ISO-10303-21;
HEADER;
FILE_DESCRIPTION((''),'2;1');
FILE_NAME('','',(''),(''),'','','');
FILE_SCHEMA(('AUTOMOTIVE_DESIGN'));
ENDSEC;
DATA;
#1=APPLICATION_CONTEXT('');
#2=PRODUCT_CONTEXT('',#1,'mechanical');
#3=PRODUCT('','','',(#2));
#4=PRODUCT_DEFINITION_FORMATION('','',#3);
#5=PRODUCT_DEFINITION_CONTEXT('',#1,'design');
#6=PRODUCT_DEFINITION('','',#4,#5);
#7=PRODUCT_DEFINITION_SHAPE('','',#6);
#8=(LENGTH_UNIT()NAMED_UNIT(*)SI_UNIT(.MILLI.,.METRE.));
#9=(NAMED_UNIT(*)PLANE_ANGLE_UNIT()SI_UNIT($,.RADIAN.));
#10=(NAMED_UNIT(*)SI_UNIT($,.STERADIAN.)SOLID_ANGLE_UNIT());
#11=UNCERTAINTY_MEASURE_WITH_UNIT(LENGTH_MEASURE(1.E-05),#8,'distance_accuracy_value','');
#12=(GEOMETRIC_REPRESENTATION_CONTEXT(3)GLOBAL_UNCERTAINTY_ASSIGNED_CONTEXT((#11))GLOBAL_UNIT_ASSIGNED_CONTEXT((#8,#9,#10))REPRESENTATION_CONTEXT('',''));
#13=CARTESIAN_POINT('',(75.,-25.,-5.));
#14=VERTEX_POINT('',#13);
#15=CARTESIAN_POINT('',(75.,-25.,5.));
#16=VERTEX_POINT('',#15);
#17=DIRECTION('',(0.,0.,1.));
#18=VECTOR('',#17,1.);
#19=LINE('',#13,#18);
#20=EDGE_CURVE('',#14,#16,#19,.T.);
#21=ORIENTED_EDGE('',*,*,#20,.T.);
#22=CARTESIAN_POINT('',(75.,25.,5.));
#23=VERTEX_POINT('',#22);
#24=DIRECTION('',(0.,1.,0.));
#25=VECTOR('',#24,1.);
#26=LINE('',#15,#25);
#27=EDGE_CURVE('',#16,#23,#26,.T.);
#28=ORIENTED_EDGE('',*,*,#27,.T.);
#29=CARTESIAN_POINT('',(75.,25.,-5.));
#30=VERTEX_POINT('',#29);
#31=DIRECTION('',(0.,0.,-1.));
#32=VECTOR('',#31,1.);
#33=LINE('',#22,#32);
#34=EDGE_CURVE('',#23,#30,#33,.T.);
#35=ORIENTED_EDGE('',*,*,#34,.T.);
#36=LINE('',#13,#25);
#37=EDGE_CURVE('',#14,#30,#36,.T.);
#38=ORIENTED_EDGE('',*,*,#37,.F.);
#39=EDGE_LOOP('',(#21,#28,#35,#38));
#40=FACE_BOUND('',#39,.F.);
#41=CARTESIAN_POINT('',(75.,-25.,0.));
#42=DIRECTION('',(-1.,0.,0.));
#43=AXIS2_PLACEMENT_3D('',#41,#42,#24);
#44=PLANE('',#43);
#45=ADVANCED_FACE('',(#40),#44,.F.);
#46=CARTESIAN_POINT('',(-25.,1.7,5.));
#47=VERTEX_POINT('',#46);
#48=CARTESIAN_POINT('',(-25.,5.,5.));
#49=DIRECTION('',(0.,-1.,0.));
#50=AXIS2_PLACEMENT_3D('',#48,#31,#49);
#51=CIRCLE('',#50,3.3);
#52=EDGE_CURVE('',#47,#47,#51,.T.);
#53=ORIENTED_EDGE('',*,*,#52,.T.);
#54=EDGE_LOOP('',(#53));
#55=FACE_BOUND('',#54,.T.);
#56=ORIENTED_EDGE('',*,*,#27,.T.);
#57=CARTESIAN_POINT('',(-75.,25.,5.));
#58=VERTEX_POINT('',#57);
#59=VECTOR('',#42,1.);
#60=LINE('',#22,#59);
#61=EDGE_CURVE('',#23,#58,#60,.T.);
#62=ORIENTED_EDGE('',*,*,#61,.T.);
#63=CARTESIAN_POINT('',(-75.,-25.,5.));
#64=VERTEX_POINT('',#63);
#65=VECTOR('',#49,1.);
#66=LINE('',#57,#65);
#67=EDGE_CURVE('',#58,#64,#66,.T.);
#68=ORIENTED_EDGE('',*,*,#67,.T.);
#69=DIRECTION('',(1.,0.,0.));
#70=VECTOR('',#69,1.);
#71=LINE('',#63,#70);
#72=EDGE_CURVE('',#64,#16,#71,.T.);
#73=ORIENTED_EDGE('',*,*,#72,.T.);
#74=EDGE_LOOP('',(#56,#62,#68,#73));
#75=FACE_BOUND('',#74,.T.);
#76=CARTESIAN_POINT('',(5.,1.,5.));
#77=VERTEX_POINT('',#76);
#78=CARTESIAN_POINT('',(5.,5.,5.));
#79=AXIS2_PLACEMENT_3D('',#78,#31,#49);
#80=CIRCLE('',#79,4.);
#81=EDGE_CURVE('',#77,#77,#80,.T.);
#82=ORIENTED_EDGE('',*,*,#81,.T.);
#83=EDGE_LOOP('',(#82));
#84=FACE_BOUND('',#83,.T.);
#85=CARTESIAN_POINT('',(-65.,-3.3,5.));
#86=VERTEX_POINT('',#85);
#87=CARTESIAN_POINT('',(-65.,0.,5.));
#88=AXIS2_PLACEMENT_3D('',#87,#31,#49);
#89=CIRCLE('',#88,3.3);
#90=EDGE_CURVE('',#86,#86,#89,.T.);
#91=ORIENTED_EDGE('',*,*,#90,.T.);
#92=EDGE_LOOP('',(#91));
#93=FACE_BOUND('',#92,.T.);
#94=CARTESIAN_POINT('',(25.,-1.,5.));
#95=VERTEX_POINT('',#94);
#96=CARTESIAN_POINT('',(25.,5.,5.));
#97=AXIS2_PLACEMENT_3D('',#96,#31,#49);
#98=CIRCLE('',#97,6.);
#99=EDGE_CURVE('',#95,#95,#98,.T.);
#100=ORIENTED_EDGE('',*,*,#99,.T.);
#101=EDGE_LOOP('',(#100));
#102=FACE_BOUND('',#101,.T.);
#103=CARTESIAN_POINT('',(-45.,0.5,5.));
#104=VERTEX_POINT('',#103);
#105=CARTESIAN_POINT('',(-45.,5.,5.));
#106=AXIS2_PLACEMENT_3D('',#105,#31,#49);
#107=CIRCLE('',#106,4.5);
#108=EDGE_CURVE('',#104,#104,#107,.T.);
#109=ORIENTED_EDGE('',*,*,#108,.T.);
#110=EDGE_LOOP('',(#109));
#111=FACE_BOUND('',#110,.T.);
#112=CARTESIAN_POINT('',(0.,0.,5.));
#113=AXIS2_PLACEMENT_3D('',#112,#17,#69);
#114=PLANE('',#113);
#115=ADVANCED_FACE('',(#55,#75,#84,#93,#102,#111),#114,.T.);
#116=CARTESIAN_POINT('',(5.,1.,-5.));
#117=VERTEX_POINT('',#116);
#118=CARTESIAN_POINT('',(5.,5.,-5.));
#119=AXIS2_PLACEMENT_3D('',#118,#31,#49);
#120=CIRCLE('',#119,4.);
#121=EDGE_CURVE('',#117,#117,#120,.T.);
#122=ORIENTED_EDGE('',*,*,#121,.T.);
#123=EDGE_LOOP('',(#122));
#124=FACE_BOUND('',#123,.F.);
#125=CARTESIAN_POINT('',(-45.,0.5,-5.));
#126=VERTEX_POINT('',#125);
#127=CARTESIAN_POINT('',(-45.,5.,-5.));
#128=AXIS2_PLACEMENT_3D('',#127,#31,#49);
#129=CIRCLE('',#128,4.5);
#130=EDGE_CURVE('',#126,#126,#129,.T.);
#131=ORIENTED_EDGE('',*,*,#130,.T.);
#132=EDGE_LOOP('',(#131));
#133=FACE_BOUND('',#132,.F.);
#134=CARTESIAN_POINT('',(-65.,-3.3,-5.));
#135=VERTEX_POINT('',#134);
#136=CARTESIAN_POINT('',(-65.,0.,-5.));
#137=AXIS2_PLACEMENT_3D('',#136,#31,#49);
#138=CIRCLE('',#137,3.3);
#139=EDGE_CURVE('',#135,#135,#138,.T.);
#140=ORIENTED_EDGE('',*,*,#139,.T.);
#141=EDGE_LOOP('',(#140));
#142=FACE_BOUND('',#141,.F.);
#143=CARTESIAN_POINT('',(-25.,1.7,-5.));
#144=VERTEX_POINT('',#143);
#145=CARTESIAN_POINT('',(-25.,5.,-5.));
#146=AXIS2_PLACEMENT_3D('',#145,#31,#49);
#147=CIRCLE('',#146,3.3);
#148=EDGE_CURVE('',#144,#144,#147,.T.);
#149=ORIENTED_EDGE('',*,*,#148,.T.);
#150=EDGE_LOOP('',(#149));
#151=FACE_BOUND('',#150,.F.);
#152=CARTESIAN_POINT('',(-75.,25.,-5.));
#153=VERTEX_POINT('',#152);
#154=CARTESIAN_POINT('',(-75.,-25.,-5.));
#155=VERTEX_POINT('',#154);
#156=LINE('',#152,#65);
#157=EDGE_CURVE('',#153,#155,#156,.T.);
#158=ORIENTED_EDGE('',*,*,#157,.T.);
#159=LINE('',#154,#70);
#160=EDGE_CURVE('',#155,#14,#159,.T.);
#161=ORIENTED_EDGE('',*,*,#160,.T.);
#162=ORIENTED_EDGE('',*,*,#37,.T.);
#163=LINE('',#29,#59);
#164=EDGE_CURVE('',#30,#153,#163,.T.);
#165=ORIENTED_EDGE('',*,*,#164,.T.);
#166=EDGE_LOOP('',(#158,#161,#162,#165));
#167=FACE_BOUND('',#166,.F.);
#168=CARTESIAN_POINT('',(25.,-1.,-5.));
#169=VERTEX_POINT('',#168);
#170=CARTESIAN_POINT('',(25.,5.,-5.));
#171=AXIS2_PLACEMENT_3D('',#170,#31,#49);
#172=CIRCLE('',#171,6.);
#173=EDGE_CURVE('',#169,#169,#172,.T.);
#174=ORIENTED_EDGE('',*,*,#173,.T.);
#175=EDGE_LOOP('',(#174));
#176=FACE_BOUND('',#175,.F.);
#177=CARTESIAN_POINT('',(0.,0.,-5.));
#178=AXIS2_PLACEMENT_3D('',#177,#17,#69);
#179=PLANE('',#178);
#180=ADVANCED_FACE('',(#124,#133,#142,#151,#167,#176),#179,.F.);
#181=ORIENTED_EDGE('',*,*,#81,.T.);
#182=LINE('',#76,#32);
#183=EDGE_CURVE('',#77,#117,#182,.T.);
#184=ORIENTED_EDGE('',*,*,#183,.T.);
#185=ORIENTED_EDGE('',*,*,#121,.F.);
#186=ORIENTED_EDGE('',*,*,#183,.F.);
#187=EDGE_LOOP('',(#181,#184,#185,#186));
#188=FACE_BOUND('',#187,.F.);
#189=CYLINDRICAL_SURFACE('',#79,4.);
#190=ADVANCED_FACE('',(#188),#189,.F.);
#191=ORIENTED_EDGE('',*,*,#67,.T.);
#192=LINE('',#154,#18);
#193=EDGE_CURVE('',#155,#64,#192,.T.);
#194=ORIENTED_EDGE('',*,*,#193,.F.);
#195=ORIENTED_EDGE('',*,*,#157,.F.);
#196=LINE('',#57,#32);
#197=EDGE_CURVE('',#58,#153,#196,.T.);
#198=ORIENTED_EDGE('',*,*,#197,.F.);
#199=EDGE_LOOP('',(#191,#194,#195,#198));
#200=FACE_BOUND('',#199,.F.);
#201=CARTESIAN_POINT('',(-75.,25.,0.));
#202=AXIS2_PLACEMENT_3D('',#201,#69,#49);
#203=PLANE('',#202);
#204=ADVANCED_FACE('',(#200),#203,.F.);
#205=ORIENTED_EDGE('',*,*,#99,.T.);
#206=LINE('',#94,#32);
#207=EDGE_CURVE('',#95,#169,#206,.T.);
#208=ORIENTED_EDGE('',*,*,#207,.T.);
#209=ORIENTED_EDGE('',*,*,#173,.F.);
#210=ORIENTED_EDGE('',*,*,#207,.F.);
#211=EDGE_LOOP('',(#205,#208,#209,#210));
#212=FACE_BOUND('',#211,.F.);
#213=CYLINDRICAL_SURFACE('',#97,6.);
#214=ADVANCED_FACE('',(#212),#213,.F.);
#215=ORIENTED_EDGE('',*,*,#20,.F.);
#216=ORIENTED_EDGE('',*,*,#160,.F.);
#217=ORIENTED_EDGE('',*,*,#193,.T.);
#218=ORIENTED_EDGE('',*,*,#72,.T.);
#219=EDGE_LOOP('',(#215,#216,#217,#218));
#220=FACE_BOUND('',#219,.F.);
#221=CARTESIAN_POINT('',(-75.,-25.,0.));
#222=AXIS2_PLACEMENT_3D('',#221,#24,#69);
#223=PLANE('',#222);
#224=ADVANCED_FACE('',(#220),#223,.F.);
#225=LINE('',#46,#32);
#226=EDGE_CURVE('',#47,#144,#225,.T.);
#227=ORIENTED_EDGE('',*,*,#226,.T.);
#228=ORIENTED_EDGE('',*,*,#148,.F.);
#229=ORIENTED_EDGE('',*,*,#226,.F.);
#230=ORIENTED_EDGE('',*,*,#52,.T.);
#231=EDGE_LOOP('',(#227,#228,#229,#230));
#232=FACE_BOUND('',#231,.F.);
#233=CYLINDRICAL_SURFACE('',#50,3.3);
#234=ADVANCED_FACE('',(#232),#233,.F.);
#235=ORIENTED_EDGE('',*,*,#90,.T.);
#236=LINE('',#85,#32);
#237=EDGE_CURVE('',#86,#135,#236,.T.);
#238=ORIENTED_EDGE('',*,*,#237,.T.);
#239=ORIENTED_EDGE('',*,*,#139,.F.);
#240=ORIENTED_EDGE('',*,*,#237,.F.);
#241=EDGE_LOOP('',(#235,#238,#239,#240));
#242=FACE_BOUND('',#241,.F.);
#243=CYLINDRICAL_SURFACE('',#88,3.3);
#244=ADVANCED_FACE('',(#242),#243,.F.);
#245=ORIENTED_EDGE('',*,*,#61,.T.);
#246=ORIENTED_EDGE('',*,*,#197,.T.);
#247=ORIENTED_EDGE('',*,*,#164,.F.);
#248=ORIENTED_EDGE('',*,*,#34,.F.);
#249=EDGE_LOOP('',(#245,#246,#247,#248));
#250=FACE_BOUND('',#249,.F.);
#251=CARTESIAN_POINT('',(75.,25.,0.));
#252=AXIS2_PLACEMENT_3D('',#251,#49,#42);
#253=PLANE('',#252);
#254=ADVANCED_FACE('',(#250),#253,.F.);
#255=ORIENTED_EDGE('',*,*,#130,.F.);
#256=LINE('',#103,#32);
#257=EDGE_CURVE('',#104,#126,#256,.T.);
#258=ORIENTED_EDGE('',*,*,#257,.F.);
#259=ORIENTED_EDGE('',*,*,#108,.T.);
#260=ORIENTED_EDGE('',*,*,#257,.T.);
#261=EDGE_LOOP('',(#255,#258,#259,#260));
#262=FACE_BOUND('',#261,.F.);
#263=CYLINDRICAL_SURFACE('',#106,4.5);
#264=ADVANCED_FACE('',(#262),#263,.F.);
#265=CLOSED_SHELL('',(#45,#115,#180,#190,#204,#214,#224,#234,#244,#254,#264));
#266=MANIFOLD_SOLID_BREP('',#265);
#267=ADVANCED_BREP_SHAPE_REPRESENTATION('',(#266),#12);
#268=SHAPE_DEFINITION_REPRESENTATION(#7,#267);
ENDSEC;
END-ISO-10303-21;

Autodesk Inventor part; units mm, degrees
ref_plane "YZ Plane" through (0, 0, 0) normal (1, 0, 0) x (0, 1, 0)
ref_plane "XZ Plane" through (0, 0, 0) normal (0, 1, 0) x (-1, 0, 0)
ref_plane "XY Plane" through (0, 0, 0) normal (0, 0, 1) x (1, 0, 0)
sketch "Sketch2" plane through (0, 0, 0) normal (0, 0, 1) x (1, 0, 0)
  line L0 (-75, -25) -> (75, -25)
  line L1 (75, -25) -> (75, 25)
  line L2 (75, 25) -> (-75, 25)
  line L3 (-75, 25) -> (-75, -25)
  line L4 (-75, -25) -> (75, 25) construction
  line L5 (75, -25) -> (-75, 25) construction
  point P0 (0, 0)
  dimension "d1" = 150
  dimension "d2" = 50
extrude "Extrusion1" add sketch "Sketch2" along normal mid plane 10
sketch "Sketch3" plane through (0, 0, 5) normal (0, 0, 1) x (1, 0, 0)
  line L0 (-75, 25) -> (-75, -25) projected
  line L1 (75, 25) -> (-75, 25) projected
  point P0 (0, 0)
  point P1 (-65, 0)
  dimension "d40" = 10
  dimension "d43" = 25
hole "Hole1" at (-65, 0, 5) direction (0, 0, -1) diameter 6.6 depth 14.2 tip angle 118 clearance for "Socket Head Cap Screw" size "M6" standard "TS Profile"
sketch "Sketch4" plane through (0, 0, 5) normal (0, 0, 1) x (1, 0, 0)
  line L0 (-75, 25) -> (-75, -25) projected
  line L1 (75, 25) -> (-75, 25) projected
  point P0 (0, 0)
  point P1 (-45, 5)
  dimension "d41" = 30
  dimension "d42" = 20
hole "Hole2" at (-45, 5, 5) direction (0, 0, -1) diameter 9 depth 14.2 tip angle 118 clearance for "Socket Head Cap Screw" size "M8" standard "TS Profile"
sketch "Sketch5" plane through (0, 0, 5) normal (0, 0, 1) x (1, 0, 0)
  line L0 (-75, 25) -> (-75, -25) projected
  line L1 (75, 25) -> (-75, 25) projected
  point P0 (0, 0)
  point P1 (-25, 5)
  dimension "d44" = 50
  dimension "d45" = 20
hole "Hole3" at (-25, 5, 5) direction (0, 0, -1) diameter 6.6 depth 14.2 tip angle 118 clearance for "Socket Head Cap Screw" size "M6" standard "TS Profile"
sketch "Sketch6" plane through (0, 0, 5) normal (0, 0, 1) x (1, 0, 0)
  line L0 (-75, 25) -> (-75, -25) projected
  line L1 (75, 25) -> (-75, 25) projected
  point P0 (0, 0)
  point P1 (5, 5)
  dimension "d46" = 80
  dimension "d47" = 20
hole "Hole4" at (5, 5, 5) direction (0, 0, -1) diameter 8 depth 14.2 tip angle 118
sketch "Sketch7" plane through (0, 0, 5) normal (0, 0, 1) x (1, 0, 0)
  line L0 (-75, 25) -> (-75, -25) projected
  line L1 (75, 25) -> (-75, 25) projected
  point P0 (0, 0)
  point P1 (25, 5)
  dimension "d48" = 100
  dimension "d49" = 20
hole "Hole5" at (25, 5, 5) direction (0, 0, -1) diameter 12 depth 14.2 tip angle 118
properties part number "홀간 거리 확인 파트-7" material "SS400"
